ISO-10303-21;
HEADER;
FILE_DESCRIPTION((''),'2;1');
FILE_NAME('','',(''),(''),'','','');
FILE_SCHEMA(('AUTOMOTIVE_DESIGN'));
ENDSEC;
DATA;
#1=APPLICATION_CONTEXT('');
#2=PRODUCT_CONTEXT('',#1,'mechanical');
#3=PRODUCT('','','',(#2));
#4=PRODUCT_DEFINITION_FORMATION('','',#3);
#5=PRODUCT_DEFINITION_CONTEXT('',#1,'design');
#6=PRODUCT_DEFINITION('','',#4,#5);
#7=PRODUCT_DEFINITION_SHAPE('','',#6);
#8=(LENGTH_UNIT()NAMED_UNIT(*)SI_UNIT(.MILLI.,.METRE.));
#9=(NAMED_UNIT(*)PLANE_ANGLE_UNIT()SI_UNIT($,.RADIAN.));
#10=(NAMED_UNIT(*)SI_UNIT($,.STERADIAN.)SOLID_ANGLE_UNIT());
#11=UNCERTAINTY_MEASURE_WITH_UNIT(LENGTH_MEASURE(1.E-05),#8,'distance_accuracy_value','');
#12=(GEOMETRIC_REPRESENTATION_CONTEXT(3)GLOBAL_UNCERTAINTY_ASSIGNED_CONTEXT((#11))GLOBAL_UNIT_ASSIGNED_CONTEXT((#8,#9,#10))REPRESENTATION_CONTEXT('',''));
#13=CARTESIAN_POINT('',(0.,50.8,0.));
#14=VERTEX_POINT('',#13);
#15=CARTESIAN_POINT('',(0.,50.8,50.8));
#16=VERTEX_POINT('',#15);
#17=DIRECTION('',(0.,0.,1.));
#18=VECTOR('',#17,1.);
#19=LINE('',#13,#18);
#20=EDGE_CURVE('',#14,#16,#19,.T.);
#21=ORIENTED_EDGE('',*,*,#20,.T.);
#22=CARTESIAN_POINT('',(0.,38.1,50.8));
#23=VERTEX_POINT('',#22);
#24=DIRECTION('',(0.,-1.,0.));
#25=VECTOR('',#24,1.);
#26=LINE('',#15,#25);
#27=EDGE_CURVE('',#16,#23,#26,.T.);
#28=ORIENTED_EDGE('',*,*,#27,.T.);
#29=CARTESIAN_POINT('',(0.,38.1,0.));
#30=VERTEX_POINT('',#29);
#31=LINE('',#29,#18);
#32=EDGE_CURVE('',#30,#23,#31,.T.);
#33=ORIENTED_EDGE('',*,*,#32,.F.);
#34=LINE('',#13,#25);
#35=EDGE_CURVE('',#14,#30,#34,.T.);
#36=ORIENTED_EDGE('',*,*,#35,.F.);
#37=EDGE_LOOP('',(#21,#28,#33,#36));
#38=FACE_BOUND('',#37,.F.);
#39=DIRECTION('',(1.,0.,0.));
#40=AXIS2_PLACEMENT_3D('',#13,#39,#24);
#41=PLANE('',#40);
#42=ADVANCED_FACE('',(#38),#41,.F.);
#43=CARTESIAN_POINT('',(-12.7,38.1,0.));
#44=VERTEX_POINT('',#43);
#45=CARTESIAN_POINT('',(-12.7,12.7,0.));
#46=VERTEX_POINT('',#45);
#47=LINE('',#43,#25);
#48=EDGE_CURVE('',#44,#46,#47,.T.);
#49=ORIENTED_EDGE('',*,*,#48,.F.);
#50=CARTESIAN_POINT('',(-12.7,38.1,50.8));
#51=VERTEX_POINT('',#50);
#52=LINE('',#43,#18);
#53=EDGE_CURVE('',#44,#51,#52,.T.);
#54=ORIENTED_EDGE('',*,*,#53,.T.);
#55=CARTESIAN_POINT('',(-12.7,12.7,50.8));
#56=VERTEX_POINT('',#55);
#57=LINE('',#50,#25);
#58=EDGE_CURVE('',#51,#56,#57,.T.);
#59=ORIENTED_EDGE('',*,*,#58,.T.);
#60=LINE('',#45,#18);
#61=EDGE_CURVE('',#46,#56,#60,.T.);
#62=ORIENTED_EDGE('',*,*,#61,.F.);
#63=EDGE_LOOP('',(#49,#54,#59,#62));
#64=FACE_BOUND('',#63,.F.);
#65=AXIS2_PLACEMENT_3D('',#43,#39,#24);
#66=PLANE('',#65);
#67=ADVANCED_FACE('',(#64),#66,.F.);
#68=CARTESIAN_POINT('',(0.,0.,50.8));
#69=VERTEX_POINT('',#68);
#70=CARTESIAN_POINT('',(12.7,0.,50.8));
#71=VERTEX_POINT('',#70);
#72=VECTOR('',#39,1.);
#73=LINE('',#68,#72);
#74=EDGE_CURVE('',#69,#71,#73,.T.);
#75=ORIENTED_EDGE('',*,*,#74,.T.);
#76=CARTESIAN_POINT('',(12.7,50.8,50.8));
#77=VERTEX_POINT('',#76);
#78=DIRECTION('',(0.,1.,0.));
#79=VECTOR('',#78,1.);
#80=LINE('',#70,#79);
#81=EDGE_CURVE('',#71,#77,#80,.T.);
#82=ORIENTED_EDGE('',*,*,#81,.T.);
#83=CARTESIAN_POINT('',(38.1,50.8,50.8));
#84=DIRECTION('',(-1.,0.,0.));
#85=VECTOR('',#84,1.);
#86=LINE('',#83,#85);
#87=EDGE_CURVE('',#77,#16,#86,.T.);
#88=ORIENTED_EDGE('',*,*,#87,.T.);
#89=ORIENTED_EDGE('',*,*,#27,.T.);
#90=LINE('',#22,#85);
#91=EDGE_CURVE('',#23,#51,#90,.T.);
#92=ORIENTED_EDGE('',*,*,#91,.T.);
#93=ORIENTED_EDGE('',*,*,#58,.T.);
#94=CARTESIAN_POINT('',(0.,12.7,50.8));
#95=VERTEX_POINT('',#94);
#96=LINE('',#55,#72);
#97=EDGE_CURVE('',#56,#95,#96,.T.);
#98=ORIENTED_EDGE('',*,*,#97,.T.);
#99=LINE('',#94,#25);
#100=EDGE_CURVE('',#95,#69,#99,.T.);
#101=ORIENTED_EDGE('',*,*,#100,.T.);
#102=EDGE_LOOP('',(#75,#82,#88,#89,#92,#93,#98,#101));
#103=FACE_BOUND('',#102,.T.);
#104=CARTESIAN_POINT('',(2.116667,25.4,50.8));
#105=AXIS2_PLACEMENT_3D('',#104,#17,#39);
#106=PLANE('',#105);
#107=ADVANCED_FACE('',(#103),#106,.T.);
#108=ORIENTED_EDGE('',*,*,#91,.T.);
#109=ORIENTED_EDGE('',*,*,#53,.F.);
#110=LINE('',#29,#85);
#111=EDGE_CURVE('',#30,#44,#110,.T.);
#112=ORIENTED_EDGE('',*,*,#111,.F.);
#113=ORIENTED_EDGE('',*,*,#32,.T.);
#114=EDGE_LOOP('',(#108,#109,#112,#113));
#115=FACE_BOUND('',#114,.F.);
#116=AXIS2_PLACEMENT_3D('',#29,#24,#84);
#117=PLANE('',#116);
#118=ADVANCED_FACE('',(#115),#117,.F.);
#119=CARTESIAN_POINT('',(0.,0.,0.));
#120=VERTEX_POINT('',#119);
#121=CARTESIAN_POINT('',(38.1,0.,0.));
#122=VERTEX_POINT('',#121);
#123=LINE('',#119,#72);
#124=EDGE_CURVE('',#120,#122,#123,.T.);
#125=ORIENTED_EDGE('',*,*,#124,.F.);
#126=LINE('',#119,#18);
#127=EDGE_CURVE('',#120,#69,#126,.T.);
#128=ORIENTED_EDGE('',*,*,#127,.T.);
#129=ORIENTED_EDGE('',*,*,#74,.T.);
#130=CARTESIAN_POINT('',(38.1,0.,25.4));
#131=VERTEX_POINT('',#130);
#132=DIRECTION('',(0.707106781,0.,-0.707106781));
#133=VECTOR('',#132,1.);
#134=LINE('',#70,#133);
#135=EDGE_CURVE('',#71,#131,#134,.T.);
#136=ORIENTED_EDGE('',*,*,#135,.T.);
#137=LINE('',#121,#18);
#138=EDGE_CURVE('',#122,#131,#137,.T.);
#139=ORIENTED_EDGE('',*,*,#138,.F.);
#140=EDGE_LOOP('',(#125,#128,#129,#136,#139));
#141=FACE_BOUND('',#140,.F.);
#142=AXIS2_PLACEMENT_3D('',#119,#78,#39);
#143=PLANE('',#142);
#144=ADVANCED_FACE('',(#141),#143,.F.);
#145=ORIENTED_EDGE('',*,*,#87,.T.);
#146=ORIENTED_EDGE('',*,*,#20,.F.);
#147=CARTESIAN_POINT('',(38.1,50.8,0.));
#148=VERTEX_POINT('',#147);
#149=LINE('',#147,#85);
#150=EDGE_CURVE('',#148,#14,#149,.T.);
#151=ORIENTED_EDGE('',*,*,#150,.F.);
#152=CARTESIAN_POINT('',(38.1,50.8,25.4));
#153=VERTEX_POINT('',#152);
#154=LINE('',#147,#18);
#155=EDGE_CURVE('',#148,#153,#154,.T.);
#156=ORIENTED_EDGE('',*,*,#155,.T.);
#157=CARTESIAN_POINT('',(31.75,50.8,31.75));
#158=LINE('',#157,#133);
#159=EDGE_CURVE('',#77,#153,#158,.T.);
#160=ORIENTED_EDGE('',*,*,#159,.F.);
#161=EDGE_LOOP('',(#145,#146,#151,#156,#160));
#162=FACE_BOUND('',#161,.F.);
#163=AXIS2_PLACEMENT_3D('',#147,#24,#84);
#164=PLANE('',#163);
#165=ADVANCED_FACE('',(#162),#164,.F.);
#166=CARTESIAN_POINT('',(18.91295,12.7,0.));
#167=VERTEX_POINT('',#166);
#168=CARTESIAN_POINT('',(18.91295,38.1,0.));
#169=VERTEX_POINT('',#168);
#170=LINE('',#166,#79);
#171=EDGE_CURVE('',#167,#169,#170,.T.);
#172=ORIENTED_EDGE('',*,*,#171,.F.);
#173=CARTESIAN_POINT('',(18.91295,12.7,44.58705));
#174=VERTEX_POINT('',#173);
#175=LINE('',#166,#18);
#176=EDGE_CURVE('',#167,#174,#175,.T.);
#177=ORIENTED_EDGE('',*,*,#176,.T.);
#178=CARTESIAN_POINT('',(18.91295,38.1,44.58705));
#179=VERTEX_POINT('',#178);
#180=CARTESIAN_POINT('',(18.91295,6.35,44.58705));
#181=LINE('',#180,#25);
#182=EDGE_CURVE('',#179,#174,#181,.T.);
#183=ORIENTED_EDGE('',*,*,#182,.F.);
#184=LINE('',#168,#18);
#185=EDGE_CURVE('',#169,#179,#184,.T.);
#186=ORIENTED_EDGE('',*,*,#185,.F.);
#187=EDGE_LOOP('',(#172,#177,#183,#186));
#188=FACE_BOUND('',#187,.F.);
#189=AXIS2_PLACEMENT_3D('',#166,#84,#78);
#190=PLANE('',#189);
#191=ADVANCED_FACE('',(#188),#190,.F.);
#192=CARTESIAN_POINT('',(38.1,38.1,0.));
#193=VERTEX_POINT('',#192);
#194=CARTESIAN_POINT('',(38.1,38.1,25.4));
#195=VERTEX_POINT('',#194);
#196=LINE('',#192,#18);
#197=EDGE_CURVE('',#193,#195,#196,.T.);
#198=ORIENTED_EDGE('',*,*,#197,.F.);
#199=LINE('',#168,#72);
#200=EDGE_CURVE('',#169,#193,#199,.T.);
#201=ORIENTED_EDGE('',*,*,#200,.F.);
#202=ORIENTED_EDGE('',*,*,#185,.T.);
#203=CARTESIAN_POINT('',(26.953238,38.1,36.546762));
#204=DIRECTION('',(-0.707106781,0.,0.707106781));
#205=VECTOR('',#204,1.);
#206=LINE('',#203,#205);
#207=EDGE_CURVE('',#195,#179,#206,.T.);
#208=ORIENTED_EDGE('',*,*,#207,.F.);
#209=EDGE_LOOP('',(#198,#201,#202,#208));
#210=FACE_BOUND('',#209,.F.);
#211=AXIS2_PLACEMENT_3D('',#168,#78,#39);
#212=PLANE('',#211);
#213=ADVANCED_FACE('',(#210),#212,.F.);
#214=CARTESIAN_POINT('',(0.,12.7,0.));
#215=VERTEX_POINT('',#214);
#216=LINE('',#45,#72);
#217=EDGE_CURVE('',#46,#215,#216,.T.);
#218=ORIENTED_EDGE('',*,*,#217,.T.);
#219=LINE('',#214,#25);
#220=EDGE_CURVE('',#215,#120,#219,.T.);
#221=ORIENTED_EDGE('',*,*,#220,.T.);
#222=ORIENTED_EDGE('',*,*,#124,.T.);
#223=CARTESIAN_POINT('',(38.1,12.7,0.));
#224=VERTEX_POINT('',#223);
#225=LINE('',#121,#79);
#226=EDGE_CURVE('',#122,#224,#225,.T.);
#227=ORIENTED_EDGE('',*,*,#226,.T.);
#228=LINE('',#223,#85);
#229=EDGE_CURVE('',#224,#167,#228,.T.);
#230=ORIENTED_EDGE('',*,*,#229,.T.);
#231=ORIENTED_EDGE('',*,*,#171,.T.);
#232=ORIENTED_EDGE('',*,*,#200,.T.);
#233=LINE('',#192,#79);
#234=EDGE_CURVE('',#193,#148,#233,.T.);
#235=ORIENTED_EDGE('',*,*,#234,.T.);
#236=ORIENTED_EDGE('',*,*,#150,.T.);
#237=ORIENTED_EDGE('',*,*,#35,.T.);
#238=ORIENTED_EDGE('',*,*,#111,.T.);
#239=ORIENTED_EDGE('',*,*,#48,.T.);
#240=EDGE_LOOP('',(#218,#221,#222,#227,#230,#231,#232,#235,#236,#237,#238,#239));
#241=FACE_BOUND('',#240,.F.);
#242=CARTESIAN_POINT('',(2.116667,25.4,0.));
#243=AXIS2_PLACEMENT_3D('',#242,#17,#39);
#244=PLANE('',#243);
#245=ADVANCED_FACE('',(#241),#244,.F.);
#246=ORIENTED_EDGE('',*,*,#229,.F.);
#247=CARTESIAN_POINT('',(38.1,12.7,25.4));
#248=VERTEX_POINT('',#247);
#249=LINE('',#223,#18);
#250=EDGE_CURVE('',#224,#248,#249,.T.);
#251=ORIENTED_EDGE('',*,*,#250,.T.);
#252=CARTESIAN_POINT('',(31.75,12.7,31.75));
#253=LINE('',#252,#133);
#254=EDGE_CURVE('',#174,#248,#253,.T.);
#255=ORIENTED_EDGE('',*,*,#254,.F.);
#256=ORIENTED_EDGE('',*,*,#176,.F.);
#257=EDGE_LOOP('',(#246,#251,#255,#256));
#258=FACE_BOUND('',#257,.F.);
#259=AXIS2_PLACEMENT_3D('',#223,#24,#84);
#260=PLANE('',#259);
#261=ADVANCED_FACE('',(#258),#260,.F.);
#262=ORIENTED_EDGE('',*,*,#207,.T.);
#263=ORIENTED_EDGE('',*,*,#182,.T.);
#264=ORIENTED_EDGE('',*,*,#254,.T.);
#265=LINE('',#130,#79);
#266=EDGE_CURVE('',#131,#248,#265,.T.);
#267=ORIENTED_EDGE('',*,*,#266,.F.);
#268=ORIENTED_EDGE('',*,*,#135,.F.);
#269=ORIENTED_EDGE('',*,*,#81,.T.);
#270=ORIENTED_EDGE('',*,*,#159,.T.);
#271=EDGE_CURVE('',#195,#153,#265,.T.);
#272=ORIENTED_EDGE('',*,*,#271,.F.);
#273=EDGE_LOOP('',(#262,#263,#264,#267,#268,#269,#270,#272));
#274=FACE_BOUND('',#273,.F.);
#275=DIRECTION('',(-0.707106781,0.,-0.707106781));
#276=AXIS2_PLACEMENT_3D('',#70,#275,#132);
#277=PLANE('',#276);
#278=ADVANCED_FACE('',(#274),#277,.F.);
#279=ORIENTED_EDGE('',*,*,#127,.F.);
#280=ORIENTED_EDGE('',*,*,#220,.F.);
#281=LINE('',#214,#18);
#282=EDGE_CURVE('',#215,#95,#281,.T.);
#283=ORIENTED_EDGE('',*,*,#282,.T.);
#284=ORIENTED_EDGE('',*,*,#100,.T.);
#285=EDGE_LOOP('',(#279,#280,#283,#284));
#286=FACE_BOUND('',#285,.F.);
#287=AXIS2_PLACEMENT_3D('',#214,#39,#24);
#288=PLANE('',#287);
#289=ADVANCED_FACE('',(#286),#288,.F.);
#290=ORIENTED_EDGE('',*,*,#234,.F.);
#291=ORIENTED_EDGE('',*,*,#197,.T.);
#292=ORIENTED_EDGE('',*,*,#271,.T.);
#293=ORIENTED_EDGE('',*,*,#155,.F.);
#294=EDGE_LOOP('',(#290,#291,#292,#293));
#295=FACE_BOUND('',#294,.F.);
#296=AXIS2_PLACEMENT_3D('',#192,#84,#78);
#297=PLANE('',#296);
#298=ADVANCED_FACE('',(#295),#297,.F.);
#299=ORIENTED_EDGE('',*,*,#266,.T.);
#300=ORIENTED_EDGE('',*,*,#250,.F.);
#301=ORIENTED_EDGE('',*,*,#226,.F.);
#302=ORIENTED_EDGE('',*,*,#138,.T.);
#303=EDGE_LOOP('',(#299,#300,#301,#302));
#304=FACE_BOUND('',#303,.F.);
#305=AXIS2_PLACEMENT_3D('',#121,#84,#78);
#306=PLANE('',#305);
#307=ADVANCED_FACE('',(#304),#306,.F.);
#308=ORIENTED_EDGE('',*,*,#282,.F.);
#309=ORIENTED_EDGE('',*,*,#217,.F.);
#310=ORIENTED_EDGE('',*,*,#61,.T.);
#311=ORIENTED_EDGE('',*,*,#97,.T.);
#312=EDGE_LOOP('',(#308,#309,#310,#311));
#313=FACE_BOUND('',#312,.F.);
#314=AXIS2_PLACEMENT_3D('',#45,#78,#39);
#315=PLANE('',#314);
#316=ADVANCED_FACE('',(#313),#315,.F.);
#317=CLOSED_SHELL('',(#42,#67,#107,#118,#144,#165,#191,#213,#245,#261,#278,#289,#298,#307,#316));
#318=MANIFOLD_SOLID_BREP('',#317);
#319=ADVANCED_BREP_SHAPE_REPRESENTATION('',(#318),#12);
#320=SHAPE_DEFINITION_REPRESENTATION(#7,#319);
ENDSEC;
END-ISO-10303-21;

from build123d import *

# Parameters (mm, degrees)
F1_DEPTH = 50.8
F3_DEPTH = 50.801


with BuildPart() as f1:
    # F0 (on Top) → F1 (new body)
    with BuildSketch(Plane.XY):
        Polygon((0, 12.7), (0, 0), (12.7, 0), (12.7, 50.8), (0, 50.8), (0, 38.1), (-12.7, 38.1), (-12.7, 12.7), align=None)
        Polygon((12.7, 50.8), (12.7, 0), (38.1, 0), (38.1, 12.7), (18.91295, 12.7), (18.91295, 38.1), (38.1, 38.1), (38.1, 50.8), align=None)
    extrude(amount=F1_DEPTH)

    # F2 (on face) → F3 (cut, through all)
    with BuildSketch(Plane.XZ):
        Polygon((12.7, 50.8), (38.1, 25.4), (38.1, 50.8), align=None)
    extrude(amount=-F3_DEPTH, mode=Mode.SUBTRACT)


solid = f1.part
